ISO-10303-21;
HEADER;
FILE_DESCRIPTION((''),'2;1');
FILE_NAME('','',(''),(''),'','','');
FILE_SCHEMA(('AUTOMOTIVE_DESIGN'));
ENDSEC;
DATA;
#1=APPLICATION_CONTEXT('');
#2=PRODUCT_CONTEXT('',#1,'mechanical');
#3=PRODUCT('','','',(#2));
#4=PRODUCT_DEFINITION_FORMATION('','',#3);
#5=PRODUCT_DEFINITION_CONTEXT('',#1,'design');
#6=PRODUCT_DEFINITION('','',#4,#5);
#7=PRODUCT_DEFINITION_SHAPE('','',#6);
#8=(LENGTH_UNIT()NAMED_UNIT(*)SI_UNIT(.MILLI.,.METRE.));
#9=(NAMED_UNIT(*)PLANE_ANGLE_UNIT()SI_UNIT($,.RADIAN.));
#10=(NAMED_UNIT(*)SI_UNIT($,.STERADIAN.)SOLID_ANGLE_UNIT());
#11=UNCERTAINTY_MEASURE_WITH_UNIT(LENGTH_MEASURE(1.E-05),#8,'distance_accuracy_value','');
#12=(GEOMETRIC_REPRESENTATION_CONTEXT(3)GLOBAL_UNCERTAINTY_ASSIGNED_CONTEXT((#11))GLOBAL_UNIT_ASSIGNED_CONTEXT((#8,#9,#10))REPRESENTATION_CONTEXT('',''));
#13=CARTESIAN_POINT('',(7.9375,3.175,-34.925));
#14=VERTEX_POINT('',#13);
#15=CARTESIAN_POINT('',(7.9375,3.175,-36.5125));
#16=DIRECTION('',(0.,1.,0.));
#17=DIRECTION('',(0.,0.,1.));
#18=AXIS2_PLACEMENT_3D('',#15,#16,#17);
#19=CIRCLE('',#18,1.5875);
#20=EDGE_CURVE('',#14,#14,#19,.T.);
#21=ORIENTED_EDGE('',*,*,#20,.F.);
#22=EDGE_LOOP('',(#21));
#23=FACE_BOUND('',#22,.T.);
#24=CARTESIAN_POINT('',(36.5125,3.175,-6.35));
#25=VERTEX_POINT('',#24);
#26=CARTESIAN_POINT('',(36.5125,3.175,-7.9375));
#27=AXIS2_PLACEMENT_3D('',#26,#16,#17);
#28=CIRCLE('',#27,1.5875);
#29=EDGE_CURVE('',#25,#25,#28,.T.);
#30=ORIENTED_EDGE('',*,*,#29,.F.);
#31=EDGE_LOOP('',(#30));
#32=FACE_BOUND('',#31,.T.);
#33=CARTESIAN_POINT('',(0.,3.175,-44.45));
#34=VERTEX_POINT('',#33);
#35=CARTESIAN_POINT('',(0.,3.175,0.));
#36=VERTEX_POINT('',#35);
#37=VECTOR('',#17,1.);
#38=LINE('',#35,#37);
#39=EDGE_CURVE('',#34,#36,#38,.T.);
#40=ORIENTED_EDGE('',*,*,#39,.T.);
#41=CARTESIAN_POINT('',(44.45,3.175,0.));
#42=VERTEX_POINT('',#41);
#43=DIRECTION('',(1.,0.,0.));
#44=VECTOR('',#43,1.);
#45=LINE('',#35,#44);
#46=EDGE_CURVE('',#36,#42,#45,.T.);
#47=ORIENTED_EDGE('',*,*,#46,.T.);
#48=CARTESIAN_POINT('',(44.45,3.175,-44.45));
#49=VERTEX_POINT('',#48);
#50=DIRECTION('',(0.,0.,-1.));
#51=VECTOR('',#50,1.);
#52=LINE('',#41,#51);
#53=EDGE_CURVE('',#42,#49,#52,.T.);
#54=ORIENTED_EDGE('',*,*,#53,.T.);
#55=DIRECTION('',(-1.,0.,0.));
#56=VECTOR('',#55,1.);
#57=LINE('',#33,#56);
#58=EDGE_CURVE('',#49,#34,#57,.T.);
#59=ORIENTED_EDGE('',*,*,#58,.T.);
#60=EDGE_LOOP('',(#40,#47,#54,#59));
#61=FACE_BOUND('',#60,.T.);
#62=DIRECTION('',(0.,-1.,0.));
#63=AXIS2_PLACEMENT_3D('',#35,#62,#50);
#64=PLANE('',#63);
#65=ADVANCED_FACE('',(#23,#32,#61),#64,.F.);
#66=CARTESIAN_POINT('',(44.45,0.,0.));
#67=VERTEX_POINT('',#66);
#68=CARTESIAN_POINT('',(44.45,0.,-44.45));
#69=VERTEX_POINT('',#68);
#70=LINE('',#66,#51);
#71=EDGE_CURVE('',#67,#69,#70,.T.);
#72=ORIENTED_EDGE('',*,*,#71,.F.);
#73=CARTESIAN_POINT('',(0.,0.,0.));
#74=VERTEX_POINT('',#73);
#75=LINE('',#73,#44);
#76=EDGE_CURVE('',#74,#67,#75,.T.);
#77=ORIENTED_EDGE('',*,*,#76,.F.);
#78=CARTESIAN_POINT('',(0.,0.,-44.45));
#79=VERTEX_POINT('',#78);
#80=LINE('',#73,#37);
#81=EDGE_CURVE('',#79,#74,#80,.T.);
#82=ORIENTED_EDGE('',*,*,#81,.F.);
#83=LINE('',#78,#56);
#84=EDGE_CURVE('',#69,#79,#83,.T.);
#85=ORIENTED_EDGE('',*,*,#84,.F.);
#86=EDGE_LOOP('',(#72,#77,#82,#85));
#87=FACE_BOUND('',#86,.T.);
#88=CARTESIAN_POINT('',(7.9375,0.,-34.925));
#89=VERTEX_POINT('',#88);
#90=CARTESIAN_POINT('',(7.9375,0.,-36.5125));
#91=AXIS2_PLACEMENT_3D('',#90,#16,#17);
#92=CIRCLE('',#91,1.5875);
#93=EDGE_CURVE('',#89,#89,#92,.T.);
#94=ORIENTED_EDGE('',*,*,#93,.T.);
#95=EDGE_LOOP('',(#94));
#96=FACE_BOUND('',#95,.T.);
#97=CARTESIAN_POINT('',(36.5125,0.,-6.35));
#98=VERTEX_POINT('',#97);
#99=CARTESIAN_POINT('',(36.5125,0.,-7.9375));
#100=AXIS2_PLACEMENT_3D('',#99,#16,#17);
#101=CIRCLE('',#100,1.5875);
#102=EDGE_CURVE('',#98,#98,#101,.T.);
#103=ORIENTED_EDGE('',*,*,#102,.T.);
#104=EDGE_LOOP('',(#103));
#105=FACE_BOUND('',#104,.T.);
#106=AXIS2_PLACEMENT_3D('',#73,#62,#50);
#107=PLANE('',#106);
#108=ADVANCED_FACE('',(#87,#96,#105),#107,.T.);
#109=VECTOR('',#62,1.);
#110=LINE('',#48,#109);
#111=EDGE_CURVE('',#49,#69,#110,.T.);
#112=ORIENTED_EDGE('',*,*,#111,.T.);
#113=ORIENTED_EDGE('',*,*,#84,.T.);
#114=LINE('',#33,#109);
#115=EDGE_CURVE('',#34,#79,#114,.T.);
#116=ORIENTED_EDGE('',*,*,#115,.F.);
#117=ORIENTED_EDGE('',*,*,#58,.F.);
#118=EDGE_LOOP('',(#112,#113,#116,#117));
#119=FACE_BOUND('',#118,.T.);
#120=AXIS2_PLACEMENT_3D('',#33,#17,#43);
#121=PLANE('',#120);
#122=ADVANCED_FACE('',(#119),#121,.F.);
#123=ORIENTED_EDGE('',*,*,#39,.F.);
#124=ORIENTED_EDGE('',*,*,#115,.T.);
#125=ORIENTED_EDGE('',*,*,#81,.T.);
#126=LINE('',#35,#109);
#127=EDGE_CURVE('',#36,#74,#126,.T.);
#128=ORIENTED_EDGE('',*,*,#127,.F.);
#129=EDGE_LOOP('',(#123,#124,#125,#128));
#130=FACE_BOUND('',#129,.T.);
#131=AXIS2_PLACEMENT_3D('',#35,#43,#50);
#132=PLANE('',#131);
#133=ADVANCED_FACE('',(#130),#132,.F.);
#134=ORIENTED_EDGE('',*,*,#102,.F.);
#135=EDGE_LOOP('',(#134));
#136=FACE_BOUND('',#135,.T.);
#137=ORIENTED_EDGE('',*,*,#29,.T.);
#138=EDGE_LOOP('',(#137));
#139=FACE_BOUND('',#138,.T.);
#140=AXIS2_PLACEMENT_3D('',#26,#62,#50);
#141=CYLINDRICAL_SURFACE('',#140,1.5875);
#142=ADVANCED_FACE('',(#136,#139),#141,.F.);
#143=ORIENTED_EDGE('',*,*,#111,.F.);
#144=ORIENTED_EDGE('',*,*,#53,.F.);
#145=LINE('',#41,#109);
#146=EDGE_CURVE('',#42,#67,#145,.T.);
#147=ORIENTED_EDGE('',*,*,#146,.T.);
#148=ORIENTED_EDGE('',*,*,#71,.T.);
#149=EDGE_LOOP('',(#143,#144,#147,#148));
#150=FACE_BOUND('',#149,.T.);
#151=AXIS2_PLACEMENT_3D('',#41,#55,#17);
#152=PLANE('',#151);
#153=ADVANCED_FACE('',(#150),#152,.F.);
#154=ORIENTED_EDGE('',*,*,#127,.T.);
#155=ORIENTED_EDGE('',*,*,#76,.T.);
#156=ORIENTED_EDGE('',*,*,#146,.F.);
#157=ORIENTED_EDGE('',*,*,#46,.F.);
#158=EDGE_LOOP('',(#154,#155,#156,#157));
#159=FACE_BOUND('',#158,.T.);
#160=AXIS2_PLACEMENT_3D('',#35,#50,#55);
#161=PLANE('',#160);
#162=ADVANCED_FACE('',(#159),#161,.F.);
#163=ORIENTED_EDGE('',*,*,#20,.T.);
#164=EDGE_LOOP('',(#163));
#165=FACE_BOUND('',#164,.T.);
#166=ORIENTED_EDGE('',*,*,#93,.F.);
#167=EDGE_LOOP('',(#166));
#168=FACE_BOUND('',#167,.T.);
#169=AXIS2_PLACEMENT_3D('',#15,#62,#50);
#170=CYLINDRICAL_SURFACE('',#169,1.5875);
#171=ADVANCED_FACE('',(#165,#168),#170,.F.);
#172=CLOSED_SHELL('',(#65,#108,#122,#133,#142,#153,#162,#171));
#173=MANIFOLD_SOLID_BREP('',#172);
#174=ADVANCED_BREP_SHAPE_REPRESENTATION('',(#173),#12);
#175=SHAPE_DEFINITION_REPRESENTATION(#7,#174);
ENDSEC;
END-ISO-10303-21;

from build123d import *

# Parameters (mm, degrees)
SKETCH1_W           = 44.45
SKETCH1_H           = 44.45
SKETCH1_R           = 1.5875
BOSS_EXTRUDE1_DEPTH = 3.175


with BuildPart() as part:
    # Sketch1 → Boss-Extrude1 (new body)
    with BuildSketch(Plane(origin=(0, 0, 0), x_dir=(1, 0, 0), z_dir=(0, 1, 0))):
        with Locations((22.225, 22.225)):
            Rectangle(SKETCH1_W, SKETCH1_H)
        with Locations(Location((7.9375, 36.5125, 0), (0, 0, 270))):
            Circle(SKETCH1_R, mode=Mode.SUBTRACT)
        with Locations(Location((36.5125, 7.9375, 0), (0, 0, 270))):
            Circle(SKETCH1_R, mode=Mode.SUBTRACT)
    extrude(amount=BOSS_EXTRUDE1_DEPTH)


solid = part.part
